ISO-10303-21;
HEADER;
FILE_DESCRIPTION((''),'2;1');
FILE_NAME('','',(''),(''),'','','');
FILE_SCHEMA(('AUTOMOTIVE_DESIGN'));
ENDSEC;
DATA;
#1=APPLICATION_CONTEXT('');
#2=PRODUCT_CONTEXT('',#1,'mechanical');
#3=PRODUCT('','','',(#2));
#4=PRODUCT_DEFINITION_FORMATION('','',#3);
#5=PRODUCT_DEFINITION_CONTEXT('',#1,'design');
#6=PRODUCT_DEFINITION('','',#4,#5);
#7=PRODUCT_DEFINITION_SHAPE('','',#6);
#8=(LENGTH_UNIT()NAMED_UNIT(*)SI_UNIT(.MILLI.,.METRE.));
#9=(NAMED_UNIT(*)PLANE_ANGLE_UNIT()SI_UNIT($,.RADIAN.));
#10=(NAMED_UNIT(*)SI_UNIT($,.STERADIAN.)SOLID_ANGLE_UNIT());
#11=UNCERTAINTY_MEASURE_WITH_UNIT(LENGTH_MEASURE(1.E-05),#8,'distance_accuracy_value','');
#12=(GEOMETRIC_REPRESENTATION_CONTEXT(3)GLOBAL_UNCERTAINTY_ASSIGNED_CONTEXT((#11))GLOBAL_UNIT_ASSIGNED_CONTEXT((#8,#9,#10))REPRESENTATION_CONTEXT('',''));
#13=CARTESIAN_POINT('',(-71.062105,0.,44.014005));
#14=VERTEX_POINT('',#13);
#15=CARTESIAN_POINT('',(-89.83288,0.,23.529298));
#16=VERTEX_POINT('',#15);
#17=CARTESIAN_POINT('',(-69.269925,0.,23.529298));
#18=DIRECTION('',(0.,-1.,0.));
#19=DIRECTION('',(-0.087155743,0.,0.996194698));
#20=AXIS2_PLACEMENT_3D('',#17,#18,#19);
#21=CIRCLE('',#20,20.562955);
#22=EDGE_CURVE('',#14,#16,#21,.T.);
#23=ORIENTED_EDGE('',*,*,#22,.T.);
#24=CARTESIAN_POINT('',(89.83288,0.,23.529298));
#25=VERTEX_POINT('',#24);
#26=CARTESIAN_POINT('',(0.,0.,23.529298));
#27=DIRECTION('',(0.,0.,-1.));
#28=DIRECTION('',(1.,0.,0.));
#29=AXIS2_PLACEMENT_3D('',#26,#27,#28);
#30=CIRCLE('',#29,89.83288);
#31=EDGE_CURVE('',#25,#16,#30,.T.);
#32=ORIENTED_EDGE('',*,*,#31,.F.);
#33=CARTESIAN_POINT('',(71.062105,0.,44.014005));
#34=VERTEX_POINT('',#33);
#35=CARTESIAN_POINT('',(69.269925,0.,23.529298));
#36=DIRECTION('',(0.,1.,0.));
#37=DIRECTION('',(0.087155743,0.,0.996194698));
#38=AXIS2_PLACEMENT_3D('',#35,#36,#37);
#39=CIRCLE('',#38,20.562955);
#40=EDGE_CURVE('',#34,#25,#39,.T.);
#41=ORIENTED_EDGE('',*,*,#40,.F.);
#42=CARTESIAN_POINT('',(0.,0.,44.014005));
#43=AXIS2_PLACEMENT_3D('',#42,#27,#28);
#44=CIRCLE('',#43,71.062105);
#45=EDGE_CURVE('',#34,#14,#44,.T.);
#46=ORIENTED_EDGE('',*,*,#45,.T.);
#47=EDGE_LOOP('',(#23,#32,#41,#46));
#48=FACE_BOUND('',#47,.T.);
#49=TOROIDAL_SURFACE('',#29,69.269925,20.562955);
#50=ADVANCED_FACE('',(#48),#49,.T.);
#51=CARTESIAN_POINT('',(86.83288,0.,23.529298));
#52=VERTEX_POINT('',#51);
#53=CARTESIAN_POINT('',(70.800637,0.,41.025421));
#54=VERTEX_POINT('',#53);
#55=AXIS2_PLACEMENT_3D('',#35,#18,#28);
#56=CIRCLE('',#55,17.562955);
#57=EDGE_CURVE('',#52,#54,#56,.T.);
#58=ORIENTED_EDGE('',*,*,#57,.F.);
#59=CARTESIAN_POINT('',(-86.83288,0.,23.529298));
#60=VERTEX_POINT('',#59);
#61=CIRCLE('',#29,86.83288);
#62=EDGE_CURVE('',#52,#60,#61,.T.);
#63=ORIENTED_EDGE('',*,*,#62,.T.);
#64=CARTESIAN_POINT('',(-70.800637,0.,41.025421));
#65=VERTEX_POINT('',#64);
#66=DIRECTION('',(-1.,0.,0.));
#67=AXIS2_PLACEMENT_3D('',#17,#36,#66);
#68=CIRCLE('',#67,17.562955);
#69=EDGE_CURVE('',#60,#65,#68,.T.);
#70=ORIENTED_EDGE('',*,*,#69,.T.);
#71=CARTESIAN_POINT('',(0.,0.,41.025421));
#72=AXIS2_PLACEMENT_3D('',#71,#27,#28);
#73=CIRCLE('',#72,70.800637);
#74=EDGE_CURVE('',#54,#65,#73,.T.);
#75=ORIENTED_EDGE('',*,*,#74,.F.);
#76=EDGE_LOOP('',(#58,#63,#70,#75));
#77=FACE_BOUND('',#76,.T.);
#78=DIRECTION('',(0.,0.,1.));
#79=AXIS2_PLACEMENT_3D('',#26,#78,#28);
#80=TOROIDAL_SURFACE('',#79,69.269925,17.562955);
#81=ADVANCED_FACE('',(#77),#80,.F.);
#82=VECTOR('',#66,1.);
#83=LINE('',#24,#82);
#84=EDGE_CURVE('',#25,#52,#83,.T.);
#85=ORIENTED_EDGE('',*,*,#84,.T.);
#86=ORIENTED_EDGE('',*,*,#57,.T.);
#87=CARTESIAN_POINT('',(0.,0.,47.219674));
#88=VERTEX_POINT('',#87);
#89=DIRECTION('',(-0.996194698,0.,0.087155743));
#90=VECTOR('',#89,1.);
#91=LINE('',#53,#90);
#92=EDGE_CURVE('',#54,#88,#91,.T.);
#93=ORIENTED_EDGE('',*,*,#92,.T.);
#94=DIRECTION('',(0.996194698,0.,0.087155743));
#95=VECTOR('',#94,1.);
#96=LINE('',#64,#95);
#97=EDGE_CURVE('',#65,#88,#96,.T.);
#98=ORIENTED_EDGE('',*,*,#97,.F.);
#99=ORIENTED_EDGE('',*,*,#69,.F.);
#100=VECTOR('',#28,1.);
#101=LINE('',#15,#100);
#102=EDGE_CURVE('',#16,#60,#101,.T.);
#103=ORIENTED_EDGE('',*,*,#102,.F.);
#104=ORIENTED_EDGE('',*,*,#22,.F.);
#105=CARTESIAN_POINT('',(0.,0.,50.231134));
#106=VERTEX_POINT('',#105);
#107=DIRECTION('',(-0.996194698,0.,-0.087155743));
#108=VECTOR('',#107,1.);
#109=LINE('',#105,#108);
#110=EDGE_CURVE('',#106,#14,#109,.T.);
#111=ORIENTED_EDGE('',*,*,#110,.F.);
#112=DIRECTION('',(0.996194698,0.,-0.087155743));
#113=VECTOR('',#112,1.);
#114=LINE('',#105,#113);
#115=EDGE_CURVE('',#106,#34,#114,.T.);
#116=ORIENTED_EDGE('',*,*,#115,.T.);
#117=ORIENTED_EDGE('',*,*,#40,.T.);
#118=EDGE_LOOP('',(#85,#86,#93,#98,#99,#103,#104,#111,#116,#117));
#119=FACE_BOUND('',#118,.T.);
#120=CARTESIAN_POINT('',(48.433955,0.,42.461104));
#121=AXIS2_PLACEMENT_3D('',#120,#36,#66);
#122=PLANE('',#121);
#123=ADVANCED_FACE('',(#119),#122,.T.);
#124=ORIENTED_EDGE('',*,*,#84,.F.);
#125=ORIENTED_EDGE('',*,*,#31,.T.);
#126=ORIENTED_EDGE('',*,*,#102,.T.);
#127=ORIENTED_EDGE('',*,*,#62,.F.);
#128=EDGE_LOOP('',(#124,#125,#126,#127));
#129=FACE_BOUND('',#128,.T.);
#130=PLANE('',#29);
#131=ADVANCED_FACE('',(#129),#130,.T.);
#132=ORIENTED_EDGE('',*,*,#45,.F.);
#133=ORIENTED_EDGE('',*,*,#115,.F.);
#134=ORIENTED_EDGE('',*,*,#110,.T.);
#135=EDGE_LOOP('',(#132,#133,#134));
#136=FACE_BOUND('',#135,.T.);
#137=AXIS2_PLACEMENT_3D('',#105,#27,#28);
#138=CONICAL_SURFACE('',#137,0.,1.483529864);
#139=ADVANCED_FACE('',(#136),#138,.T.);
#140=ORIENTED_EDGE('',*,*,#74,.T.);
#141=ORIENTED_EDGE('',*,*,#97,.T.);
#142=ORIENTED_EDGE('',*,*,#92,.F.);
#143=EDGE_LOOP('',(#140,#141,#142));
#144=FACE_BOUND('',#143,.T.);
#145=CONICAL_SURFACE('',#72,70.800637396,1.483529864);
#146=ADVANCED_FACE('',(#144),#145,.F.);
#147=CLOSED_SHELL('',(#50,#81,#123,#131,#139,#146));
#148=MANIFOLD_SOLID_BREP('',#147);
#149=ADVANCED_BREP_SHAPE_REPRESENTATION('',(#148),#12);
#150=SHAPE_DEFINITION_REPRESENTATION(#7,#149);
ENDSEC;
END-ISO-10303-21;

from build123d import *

# Parameters (mm, degrees)
F1_ANGLE_BACK = 90
F1_ANGLE      = 180


with BuildPart() as f1:
    # F0 (on Right) → F1 (revolve)
    with BuildSketch(Plane.YZ, mode=Mode.PRIVATE) as f1_sk:
        with BuildLine():
            Line((0, 47.2196742014), (0, 50.231133714))
            Line((0, 50.231133714), (-71.0621046245, 44.0140051531))
            ThreePointArc((-71.0621046245, 44.0140051531), (-84.4305257696, 37.4214294121), (-89.8328800953, 23.5292983102))
            Line((-89.8328800953, 23.5292983102), (-86.8328800953, 23.5292983102))
            ThreePointArc((-86.8328800953, 23.5292983102), (-82.2186937592, 35.3946587893), (-70.8006373963, 41.0254210588))
            Line((-70.8006373963, 41.0254210588), (0, 47.2196742014))
        make_face()
    revolve(f1_sk.sketch.rotate(Axis((0, 0, -0.5064643919), (0, 0, -1)), -F1_ANGLE_BACK), axis=Axis((0, 0, -0.5064643919), (0, 0, -1)), revolution_arc=F1_ANGLE)


solid = f1.part
